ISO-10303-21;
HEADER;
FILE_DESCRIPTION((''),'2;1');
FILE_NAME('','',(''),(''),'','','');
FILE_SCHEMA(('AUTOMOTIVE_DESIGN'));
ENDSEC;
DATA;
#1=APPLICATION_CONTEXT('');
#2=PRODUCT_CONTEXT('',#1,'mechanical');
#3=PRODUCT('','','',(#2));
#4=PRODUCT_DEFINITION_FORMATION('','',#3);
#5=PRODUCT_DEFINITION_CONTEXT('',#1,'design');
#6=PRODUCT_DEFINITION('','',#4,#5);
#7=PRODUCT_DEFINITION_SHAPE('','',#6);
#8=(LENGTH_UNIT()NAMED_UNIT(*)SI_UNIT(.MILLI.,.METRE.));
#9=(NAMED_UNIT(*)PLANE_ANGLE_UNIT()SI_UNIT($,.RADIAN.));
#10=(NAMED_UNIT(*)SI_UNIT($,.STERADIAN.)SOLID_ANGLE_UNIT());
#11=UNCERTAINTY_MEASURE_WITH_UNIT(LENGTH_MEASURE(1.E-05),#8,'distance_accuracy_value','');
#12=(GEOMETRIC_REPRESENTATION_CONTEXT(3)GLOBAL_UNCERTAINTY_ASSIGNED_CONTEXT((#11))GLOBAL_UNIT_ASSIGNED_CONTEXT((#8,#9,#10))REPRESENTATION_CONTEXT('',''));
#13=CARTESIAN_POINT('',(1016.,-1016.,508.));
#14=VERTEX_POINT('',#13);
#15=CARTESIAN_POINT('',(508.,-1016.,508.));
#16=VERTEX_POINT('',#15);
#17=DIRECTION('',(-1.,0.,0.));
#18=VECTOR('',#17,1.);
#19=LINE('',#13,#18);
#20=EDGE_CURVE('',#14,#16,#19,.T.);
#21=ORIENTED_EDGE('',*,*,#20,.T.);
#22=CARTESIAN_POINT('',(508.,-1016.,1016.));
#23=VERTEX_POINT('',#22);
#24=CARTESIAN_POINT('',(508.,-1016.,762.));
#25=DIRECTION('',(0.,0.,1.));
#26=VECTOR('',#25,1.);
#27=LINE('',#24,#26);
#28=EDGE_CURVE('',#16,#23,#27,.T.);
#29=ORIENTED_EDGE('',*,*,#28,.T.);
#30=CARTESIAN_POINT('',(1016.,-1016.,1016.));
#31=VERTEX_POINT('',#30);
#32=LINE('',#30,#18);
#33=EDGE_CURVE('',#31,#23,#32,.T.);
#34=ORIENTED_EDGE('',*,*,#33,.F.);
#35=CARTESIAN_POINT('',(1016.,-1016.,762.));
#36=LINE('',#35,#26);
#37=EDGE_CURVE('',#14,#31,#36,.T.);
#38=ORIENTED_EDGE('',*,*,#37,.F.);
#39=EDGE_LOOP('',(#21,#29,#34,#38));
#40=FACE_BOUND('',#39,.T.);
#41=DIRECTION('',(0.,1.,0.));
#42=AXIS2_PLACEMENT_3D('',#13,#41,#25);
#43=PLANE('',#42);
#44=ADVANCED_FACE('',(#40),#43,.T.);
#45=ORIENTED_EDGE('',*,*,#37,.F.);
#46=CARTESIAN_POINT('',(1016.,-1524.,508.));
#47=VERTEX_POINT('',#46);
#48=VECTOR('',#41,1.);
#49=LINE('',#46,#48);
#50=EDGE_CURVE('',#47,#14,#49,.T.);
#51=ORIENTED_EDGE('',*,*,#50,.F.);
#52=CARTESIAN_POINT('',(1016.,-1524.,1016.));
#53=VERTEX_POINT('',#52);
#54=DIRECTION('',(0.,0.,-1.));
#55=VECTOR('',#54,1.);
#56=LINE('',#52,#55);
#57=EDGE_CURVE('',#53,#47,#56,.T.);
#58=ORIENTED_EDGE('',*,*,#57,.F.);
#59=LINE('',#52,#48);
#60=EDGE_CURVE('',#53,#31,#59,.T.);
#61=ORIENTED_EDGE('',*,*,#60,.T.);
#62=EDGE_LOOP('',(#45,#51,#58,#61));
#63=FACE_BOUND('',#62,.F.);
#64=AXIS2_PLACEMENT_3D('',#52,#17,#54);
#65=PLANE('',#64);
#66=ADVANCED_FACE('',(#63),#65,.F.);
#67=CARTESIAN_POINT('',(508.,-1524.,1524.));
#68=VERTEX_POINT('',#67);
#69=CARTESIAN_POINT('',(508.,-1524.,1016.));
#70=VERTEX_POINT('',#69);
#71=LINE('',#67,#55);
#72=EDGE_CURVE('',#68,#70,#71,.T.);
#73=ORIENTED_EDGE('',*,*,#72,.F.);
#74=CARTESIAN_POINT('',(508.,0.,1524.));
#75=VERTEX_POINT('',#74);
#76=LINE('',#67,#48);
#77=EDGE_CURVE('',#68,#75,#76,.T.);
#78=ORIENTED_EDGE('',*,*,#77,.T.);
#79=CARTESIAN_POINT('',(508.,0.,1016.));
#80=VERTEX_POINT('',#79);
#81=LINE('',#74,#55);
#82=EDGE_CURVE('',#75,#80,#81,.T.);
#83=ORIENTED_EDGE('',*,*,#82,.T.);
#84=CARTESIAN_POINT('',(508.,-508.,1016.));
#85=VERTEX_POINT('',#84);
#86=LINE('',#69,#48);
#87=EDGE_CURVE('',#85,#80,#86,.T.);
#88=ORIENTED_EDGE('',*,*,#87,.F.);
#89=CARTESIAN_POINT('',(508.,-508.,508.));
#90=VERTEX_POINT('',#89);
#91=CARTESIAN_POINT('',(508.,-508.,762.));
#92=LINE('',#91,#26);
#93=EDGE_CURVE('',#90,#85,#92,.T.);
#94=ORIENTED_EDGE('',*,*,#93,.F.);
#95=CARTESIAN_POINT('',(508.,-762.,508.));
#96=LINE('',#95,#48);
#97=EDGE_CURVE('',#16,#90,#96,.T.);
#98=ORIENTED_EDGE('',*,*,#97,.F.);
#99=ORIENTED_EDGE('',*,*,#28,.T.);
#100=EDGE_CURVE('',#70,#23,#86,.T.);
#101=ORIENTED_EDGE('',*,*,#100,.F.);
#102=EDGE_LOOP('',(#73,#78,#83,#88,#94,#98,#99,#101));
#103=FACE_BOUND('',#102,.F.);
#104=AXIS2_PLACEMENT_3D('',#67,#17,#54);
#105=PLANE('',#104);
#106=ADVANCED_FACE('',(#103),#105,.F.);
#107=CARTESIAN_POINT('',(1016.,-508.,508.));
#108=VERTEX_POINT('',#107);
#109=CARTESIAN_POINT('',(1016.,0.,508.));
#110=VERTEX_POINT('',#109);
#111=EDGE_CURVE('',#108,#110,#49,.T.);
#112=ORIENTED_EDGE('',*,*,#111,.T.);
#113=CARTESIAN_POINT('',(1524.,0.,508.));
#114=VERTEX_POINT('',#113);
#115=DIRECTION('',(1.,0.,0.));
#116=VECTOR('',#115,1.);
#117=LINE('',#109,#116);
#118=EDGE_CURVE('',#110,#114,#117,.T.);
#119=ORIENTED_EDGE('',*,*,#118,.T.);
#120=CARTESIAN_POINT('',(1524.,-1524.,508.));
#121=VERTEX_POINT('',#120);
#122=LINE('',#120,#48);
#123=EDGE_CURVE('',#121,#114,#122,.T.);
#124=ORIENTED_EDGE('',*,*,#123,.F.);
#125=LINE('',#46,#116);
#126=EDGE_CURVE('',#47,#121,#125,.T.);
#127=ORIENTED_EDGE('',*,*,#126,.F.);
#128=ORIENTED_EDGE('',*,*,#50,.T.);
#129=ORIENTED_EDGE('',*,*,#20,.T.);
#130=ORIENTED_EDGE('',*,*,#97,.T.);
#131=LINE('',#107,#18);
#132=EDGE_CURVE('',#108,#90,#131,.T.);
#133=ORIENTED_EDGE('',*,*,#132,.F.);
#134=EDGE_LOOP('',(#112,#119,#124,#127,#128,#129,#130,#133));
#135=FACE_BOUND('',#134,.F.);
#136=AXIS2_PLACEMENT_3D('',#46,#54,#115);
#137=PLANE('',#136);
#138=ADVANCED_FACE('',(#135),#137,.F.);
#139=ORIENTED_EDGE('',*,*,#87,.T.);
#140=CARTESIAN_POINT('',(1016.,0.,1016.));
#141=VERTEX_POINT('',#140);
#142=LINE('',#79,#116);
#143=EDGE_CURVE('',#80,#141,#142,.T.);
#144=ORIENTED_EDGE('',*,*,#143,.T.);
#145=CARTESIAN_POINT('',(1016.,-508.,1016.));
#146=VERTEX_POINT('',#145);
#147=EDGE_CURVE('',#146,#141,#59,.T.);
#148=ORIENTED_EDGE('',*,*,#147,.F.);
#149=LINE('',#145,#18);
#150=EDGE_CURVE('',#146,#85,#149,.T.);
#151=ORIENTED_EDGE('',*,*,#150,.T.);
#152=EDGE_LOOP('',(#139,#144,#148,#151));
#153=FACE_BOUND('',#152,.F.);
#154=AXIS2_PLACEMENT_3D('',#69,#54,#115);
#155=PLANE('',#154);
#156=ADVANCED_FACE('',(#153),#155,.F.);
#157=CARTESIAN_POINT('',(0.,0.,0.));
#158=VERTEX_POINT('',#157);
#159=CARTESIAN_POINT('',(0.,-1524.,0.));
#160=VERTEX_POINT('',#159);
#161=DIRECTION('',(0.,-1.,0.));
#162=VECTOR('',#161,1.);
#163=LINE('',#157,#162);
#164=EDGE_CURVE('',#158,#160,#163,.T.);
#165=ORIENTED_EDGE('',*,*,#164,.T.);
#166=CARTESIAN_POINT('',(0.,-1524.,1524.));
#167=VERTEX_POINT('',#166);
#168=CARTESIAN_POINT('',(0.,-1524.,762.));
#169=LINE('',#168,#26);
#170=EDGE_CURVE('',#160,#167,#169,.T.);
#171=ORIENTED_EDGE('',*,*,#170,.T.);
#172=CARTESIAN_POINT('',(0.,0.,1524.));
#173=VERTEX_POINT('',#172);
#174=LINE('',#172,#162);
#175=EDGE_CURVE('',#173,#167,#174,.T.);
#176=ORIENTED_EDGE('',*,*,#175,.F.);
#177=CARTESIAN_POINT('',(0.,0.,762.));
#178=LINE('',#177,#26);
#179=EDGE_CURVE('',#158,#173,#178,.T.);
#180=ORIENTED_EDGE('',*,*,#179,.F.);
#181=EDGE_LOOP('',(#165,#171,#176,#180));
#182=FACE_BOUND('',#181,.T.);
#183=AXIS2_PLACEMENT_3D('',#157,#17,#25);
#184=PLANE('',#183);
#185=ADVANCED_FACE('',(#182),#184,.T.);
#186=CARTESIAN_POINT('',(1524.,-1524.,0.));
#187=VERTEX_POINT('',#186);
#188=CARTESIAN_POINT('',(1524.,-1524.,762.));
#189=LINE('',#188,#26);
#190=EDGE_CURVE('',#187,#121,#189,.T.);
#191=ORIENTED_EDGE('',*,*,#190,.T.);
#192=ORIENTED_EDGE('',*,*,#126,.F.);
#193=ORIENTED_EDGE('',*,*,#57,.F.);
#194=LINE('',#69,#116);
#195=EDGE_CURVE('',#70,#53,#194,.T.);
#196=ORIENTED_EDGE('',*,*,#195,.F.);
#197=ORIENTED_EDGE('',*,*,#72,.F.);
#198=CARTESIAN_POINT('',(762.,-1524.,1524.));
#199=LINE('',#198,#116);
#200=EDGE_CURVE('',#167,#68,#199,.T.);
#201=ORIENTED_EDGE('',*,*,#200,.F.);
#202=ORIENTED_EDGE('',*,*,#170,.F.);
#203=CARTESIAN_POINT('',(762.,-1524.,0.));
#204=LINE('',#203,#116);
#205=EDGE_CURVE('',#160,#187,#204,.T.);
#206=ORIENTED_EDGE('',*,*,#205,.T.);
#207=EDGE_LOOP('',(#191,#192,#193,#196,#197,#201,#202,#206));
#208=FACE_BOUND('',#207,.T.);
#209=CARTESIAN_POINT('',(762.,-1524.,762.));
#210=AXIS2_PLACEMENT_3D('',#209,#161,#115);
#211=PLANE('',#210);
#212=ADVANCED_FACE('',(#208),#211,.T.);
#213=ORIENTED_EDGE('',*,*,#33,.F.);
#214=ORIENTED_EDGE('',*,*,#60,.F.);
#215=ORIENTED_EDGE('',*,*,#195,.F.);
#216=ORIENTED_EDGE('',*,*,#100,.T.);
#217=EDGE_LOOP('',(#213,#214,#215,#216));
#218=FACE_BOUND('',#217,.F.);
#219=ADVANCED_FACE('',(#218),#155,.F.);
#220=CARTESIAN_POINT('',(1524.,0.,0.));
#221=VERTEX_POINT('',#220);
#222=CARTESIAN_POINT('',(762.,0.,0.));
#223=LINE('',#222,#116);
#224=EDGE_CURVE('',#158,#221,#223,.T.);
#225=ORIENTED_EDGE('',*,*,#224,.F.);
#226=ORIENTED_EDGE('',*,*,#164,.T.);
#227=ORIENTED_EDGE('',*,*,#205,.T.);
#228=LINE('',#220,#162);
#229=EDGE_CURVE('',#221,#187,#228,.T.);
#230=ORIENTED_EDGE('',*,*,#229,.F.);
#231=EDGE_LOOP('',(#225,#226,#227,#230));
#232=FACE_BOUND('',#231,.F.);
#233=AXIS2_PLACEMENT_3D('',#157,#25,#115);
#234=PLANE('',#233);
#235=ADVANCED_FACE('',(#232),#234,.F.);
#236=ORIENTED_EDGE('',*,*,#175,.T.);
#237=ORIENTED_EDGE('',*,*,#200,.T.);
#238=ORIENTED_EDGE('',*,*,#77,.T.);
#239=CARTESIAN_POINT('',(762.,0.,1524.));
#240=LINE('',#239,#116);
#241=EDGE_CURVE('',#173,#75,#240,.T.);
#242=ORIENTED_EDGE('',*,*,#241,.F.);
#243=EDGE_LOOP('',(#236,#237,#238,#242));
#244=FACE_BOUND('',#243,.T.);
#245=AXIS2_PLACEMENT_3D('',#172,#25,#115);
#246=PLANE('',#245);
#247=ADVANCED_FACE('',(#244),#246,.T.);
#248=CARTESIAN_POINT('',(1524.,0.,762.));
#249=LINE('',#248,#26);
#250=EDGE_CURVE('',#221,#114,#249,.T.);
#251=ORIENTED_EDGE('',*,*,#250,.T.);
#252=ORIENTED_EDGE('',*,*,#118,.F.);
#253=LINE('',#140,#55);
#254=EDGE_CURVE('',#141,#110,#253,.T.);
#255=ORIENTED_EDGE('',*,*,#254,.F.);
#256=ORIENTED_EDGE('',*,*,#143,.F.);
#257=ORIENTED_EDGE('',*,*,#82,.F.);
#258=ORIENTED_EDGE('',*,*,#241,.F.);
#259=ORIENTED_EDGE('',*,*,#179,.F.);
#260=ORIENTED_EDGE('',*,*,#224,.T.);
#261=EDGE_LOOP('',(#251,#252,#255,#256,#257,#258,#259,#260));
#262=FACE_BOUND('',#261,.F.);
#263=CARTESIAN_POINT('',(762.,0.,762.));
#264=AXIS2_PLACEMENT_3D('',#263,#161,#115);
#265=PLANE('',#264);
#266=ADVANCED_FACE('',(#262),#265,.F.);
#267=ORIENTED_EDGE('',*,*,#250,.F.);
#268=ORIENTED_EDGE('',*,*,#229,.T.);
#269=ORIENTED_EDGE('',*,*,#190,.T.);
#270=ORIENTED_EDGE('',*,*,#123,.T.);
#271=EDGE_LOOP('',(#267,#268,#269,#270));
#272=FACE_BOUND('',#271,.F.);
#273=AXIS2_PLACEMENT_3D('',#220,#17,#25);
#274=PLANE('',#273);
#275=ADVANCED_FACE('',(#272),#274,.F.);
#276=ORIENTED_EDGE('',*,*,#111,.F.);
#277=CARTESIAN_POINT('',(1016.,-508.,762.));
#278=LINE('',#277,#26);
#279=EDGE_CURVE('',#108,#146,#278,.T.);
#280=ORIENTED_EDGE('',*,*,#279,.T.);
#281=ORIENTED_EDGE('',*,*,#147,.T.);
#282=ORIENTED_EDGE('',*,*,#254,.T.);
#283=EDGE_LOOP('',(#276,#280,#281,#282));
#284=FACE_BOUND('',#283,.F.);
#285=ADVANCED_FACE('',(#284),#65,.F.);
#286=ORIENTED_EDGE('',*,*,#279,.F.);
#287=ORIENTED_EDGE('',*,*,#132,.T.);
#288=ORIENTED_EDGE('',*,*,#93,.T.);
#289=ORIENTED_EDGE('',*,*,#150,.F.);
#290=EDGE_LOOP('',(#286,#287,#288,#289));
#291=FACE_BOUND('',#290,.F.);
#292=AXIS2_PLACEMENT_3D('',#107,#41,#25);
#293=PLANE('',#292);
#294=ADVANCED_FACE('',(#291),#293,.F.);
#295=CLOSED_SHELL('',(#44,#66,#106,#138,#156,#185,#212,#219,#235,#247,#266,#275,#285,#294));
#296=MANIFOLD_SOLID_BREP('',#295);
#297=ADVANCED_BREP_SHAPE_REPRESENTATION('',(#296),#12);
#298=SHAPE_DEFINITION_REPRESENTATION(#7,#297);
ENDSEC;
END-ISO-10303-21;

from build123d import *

# Parameters (mm, degrees)
F0_W     = 1524
F0_H     = 1524
F1_DEPTH = 1524
F3_DEPTH = 1524
F4_W     = 508
F4_H     = 508
F5_DEPTH = 508


with BuildPart() as f1:
    # F0 (on Front) → F1 (new body)
    with BuildSketch(Plane.XZ):
        with Locations((762, 762)):
            Rectangle(F0_W, F0_H)
    extrude(amount=F1_DEPTH)

    # F2 (on face) → F3 (cut)
    with BuildSketch(Plane.XZ.offset(1524)):
        Polygon((1524, 1524), (508, 1524), (508, 1016), (1016, 1016), (1016, 508), (1524, 508), align=None)
    extrude(amount=-F3_DEPTH, mode=Mode.SUBTRACT)

    # F4 (on face) → F5 (cut)
    with BuildSketch(Plane.YZ.offset(1016)):
        with Locations((-762, 762)):
            Rectangle(F4_W, F4_H)
    extrude(amount=-F5_DEPTH, mode=Mode.SUBTRACT)


solid = f1.part
